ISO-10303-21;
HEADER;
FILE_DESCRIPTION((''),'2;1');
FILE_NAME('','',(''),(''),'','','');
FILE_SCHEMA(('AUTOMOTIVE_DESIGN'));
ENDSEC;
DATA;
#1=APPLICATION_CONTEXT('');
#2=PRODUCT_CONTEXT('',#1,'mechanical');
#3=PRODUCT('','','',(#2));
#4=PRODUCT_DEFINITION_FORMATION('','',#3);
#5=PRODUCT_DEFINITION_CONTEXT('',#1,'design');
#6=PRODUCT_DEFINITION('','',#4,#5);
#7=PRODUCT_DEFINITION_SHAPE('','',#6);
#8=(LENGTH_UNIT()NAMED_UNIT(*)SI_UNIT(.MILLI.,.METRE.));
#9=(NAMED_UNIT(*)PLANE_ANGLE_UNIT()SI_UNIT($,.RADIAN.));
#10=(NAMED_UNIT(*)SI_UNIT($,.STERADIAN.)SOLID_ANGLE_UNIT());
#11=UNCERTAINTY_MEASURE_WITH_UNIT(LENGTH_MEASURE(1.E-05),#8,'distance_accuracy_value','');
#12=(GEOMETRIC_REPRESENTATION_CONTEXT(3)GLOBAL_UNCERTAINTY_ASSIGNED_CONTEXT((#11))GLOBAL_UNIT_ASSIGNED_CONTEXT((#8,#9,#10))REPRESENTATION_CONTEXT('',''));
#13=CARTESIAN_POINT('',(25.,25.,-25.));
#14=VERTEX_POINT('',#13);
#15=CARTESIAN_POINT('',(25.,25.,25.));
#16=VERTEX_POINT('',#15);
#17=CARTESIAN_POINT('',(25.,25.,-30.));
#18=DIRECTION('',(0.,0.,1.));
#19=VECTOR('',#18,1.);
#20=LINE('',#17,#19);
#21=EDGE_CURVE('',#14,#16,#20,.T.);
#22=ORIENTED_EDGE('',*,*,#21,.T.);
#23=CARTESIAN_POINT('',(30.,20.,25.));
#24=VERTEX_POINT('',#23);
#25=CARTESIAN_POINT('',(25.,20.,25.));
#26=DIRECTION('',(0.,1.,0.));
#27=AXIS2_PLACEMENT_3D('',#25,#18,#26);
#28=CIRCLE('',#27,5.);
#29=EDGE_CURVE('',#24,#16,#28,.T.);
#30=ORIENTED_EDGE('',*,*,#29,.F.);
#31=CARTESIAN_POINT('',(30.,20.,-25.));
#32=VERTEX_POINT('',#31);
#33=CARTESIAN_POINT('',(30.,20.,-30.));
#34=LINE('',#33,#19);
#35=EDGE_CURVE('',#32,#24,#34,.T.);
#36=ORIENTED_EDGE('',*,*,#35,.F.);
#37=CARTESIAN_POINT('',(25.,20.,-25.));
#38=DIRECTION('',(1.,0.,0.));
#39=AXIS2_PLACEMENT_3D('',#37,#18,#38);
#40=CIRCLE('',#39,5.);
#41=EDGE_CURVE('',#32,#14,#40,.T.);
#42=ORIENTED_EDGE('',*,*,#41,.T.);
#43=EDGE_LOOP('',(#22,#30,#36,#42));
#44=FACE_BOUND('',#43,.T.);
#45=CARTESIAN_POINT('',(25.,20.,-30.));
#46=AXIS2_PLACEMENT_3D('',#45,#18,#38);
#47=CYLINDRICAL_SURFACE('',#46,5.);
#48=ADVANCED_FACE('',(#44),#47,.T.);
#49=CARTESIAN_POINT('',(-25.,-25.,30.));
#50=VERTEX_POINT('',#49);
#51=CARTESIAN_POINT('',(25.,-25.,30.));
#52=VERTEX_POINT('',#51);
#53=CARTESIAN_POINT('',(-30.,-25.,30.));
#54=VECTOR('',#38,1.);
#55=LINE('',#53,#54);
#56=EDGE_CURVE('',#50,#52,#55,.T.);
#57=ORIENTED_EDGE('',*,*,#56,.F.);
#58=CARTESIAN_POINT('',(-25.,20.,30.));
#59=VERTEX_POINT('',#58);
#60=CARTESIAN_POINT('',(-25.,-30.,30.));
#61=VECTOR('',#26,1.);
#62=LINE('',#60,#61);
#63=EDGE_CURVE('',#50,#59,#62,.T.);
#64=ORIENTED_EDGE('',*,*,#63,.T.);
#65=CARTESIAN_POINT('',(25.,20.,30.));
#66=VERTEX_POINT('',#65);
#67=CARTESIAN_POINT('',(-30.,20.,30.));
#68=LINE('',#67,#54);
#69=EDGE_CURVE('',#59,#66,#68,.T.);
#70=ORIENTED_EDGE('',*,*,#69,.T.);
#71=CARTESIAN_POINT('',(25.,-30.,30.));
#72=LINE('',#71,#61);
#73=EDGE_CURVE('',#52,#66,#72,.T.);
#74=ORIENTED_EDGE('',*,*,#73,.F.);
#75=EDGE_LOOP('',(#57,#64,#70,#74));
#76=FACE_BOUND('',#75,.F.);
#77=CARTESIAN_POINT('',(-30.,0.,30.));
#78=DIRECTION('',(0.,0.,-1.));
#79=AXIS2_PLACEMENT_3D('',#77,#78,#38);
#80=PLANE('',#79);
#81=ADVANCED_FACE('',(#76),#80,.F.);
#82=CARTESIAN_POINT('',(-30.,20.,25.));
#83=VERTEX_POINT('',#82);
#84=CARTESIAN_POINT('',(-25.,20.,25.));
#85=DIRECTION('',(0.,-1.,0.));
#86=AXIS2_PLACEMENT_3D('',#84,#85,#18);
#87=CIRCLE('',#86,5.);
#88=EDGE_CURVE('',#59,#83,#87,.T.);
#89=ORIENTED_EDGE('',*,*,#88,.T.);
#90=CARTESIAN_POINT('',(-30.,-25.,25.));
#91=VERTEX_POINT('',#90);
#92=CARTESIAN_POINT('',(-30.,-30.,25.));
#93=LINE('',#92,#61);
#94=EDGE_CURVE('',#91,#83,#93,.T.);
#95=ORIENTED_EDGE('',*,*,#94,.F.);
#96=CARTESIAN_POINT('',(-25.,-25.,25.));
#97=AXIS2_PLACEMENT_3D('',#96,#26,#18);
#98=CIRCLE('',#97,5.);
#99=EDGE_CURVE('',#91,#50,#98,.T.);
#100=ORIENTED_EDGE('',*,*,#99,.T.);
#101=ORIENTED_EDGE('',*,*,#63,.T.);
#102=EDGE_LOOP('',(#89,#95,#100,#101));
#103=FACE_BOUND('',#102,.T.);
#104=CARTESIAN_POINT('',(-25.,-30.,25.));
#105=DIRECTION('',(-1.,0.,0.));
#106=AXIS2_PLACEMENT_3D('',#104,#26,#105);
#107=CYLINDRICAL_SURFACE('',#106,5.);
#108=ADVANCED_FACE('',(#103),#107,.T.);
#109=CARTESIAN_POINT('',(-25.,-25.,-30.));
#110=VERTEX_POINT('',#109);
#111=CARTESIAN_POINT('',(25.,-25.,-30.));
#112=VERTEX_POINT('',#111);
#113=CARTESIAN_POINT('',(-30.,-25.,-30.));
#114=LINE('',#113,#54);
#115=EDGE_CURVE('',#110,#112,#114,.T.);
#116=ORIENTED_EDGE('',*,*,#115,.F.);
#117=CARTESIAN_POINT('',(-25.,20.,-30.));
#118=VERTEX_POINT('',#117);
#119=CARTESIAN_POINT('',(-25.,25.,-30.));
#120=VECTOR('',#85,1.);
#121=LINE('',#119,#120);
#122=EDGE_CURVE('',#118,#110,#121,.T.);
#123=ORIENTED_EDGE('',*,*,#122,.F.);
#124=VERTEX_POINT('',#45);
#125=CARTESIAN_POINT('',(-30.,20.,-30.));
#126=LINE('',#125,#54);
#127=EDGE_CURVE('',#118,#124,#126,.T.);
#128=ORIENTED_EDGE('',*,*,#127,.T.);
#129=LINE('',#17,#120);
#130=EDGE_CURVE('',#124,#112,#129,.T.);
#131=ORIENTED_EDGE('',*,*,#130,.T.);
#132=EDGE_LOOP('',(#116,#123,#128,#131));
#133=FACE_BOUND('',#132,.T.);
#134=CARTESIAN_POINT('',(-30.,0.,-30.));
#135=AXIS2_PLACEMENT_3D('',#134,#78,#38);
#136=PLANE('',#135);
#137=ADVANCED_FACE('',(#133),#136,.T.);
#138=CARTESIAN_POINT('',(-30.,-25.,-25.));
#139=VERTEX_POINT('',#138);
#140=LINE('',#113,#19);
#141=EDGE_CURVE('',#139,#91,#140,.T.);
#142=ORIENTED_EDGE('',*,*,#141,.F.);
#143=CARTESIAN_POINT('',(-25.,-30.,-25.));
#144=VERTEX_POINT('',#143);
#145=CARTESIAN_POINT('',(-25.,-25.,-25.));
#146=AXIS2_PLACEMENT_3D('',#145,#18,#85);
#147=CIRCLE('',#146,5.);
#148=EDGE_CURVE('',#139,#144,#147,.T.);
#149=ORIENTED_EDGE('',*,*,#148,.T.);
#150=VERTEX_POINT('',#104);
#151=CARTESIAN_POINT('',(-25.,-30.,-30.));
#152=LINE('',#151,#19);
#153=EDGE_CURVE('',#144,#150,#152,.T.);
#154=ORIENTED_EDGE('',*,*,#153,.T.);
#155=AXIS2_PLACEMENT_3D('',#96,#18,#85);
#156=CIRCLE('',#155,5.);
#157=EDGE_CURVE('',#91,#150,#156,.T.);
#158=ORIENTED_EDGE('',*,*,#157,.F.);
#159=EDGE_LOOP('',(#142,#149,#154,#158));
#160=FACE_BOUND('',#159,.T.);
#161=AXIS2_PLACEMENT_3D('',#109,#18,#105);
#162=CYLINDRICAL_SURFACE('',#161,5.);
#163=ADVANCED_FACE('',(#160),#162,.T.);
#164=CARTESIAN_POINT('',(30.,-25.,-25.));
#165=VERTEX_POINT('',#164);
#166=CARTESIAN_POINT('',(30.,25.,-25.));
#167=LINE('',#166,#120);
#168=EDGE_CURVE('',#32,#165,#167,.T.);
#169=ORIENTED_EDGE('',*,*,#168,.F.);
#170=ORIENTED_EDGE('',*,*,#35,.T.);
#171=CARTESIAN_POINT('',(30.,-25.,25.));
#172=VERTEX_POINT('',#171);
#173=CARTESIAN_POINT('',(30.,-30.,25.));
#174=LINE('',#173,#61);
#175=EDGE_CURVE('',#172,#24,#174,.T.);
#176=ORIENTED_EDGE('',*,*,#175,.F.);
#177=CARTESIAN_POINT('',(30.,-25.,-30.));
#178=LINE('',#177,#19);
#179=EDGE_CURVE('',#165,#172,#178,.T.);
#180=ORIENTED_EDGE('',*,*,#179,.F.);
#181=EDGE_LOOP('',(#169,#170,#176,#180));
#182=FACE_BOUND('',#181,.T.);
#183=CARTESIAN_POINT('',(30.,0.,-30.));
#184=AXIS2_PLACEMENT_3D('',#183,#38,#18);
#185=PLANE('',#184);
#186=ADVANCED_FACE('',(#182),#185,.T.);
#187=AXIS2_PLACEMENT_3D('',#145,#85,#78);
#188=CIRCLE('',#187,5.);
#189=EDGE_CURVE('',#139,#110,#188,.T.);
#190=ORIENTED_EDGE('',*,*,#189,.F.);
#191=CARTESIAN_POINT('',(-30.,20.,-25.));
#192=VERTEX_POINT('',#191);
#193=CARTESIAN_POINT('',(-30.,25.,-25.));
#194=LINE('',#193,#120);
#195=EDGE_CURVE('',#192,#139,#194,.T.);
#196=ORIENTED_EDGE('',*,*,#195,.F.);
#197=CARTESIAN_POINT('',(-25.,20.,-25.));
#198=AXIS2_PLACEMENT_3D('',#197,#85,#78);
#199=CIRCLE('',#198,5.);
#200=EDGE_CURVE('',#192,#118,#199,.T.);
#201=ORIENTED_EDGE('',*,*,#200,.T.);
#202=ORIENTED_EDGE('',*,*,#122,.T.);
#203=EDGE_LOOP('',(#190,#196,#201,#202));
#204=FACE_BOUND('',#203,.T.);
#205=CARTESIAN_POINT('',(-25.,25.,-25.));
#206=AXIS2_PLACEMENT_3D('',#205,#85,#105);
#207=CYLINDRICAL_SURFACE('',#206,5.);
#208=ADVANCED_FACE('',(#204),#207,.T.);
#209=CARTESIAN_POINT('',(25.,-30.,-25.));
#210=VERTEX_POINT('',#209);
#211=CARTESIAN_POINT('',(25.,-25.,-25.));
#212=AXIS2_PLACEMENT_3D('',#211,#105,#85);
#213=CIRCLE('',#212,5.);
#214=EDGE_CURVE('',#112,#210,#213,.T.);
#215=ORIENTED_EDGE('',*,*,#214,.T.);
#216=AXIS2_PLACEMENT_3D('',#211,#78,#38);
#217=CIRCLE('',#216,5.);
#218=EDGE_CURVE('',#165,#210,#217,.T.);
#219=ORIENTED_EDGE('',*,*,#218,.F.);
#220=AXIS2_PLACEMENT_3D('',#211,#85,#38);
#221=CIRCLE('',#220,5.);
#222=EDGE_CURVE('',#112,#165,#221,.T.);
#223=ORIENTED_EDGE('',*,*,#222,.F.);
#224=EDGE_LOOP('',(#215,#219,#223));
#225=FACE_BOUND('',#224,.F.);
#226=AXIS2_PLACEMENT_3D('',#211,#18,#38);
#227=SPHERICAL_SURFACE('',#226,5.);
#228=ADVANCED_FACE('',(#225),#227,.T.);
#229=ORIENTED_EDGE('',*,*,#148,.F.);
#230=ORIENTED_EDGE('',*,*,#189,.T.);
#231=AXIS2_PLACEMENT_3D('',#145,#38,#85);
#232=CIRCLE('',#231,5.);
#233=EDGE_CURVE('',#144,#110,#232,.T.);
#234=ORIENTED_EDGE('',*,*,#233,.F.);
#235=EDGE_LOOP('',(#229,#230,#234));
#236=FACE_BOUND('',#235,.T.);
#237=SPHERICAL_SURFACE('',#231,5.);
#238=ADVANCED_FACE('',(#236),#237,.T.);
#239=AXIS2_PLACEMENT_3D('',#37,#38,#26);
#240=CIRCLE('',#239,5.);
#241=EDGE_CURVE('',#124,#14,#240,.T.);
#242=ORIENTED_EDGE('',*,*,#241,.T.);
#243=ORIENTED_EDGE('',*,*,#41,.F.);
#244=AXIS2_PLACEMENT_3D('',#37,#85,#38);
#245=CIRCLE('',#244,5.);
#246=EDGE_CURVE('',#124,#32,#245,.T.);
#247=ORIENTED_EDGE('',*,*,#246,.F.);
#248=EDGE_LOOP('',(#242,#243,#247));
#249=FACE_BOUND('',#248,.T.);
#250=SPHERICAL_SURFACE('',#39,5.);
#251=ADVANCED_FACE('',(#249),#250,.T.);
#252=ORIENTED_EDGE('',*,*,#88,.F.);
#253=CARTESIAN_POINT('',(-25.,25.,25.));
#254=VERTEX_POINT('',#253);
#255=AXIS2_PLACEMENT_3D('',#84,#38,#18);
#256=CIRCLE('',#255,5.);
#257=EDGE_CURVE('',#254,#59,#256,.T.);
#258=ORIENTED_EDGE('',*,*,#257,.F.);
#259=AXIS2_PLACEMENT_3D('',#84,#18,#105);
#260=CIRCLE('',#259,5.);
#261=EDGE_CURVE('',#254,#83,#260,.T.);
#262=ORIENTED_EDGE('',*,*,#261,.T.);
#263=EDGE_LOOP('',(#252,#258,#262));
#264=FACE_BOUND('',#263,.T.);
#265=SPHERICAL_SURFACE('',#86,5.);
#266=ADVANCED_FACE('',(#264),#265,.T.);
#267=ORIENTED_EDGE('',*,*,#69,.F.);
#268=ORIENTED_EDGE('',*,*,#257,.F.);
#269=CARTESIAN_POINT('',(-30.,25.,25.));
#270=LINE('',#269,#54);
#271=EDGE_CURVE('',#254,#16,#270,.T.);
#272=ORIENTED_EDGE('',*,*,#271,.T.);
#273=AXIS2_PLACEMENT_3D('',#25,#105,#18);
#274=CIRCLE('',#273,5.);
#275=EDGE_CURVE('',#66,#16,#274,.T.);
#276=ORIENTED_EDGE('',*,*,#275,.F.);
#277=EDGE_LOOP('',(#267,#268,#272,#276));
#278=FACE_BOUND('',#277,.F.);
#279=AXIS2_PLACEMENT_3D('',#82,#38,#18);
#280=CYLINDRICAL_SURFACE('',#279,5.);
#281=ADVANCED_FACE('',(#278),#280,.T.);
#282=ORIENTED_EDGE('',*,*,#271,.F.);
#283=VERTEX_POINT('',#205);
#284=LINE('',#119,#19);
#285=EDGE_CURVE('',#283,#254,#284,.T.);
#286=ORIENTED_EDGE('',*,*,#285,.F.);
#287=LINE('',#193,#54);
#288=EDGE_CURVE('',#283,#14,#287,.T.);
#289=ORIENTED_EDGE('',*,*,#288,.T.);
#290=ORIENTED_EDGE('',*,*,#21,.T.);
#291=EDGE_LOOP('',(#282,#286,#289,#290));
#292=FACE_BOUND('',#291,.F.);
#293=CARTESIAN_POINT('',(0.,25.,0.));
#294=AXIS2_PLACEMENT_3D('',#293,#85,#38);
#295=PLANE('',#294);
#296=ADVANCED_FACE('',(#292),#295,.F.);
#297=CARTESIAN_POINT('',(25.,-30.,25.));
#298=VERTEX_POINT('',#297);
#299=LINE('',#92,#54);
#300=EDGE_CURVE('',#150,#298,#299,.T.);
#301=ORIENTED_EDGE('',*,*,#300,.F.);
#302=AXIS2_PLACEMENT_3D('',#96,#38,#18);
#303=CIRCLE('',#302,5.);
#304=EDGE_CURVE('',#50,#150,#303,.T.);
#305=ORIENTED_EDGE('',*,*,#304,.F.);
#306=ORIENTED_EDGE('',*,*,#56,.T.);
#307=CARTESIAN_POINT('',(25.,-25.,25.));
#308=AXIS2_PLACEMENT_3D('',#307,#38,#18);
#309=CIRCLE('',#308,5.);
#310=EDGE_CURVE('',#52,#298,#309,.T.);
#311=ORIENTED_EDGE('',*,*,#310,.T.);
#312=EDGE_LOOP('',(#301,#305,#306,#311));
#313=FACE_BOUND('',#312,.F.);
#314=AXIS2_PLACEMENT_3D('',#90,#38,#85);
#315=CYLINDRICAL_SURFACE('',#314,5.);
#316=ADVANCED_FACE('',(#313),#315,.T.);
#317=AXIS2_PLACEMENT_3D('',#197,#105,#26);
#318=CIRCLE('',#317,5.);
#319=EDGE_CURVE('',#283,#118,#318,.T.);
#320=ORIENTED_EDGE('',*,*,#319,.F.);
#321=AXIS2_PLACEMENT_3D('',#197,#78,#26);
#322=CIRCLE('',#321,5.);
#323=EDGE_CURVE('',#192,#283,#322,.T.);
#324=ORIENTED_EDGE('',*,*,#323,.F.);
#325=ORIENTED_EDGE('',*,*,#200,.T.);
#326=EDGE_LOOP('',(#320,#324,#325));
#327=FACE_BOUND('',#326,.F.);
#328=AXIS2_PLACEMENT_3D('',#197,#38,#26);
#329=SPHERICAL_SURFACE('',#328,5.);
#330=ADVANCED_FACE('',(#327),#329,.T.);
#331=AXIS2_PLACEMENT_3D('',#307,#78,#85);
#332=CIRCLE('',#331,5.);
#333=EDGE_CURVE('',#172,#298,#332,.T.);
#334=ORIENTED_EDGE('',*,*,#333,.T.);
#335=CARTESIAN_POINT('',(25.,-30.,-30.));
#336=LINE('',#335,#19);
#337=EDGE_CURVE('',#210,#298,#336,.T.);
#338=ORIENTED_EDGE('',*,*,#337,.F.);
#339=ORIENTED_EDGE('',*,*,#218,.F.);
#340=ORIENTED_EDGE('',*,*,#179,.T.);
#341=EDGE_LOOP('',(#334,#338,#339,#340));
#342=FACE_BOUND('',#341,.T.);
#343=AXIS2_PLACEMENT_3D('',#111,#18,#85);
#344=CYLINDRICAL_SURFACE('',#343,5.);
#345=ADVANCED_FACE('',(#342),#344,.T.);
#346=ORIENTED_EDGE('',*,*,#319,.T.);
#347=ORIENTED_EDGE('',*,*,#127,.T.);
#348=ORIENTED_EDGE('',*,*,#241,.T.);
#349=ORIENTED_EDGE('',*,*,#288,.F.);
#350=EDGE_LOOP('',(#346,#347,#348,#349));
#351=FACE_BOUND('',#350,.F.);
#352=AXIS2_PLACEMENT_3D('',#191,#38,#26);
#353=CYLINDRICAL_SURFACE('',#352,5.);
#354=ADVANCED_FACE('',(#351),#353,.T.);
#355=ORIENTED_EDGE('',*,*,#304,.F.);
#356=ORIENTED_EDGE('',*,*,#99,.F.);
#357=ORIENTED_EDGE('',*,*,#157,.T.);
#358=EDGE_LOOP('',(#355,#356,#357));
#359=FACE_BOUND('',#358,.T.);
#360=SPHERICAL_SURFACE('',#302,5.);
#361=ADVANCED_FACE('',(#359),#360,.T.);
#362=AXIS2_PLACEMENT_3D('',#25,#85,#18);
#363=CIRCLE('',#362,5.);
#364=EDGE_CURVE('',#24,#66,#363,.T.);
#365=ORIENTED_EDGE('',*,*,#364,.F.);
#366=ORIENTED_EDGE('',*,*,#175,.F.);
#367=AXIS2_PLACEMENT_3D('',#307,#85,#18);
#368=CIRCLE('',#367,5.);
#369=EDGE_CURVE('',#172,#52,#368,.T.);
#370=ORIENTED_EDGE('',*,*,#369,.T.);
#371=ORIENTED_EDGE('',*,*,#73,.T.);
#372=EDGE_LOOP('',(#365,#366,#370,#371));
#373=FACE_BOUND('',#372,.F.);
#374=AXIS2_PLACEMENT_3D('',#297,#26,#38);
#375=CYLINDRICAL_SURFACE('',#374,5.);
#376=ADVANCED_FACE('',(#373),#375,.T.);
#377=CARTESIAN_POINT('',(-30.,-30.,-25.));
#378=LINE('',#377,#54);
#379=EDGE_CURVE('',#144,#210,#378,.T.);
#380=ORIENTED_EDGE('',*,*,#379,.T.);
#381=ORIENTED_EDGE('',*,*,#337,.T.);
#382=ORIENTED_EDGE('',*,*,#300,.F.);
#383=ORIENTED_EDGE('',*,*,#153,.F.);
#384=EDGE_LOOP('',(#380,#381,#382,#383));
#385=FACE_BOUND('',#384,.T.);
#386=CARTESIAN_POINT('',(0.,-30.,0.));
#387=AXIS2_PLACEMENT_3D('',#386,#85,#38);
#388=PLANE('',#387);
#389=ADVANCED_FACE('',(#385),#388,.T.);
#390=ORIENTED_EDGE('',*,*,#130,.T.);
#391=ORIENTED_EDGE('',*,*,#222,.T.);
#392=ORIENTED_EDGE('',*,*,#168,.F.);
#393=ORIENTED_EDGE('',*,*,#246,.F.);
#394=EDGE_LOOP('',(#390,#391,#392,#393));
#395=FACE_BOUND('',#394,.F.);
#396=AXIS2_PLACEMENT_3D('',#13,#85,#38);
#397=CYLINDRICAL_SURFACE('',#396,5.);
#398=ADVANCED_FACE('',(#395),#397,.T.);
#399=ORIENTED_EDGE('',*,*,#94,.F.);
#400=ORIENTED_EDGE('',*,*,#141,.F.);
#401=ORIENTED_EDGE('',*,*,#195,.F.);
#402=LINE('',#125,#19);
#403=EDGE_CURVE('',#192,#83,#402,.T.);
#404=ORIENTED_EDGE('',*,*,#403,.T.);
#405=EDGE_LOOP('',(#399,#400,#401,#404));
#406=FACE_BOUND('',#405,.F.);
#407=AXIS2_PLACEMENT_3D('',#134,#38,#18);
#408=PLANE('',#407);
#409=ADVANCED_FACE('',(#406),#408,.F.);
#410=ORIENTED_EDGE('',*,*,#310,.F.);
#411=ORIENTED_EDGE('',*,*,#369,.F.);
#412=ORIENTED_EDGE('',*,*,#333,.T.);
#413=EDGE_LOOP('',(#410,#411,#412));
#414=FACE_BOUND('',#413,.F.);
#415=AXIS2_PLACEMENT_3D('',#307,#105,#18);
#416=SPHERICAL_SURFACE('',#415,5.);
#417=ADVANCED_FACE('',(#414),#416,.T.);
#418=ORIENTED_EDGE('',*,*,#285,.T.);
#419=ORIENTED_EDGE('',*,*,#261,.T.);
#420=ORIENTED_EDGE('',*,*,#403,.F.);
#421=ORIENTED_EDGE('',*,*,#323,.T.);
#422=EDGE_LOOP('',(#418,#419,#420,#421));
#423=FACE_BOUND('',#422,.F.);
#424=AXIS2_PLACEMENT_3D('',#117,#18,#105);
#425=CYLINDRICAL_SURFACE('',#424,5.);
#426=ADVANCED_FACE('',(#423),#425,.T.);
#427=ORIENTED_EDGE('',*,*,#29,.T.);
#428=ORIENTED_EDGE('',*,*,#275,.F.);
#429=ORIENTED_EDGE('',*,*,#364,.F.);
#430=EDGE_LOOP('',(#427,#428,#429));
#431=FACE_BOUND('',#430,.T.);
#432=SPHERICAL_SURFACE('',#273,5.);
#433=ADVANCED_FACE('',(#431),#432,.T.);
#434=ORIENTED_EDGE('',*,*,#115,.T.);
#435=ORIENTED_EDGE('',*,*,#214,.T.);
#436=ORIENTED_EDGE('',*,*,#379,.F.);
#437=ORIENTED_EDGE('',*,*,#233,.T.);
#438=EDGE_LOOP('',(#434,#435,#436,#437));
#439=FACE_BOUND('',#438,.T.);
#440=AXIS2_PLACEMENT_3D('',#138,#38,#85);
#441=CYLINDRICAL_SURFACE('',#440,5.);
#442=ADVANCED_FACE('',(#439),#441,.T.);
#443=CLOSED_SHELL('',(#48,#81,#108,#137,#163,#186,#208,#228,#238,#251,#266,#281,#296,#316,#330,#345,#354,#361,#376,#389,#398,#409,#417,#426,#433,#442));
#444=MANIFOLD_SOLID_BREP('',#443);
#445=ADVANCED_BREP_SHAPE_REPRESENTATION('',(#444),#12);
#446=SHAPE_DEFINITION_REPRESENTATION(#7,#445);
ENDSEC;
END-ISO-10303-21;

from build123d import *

# Parameters (mm, degrees)
F0_W          = 60
F0_H          = 60
F1_DEPTH      = 30
F1_DEPTH_BACK = 25
F2_R          = 5


with BuildPart() as f1:
    # F0 (on Front) → F1 (new body, two sides)
    with BuildSketch(Plane.XZ) as f1_sk:
        Rectangle(F0_W, F0_H)
    extrude(amount=F1_DEPTH)
    extrude(f1_sk.sketch, amount=-F1_DEPTH_BACK)

    # F2
    f2_edges = [f1.edges().sort_by_distance(p)[0] for p in [
        (0, -30, 30),
        (-30, -2.5, 30),
        (0, 25, 30),
        (30, -2.5, 30),
        (30, -30, 0),
        (30, 25, 0),
        (30, -2.5, -30),
        (0, -30, -30),
        (-30, -30, 0),
        (0, 25, -30),
        (-30, 25, 0),
        (-30, -2.5, -30),
    ]]
    fillet(f2_edges, radius=F2_R)


solid = f1.part
